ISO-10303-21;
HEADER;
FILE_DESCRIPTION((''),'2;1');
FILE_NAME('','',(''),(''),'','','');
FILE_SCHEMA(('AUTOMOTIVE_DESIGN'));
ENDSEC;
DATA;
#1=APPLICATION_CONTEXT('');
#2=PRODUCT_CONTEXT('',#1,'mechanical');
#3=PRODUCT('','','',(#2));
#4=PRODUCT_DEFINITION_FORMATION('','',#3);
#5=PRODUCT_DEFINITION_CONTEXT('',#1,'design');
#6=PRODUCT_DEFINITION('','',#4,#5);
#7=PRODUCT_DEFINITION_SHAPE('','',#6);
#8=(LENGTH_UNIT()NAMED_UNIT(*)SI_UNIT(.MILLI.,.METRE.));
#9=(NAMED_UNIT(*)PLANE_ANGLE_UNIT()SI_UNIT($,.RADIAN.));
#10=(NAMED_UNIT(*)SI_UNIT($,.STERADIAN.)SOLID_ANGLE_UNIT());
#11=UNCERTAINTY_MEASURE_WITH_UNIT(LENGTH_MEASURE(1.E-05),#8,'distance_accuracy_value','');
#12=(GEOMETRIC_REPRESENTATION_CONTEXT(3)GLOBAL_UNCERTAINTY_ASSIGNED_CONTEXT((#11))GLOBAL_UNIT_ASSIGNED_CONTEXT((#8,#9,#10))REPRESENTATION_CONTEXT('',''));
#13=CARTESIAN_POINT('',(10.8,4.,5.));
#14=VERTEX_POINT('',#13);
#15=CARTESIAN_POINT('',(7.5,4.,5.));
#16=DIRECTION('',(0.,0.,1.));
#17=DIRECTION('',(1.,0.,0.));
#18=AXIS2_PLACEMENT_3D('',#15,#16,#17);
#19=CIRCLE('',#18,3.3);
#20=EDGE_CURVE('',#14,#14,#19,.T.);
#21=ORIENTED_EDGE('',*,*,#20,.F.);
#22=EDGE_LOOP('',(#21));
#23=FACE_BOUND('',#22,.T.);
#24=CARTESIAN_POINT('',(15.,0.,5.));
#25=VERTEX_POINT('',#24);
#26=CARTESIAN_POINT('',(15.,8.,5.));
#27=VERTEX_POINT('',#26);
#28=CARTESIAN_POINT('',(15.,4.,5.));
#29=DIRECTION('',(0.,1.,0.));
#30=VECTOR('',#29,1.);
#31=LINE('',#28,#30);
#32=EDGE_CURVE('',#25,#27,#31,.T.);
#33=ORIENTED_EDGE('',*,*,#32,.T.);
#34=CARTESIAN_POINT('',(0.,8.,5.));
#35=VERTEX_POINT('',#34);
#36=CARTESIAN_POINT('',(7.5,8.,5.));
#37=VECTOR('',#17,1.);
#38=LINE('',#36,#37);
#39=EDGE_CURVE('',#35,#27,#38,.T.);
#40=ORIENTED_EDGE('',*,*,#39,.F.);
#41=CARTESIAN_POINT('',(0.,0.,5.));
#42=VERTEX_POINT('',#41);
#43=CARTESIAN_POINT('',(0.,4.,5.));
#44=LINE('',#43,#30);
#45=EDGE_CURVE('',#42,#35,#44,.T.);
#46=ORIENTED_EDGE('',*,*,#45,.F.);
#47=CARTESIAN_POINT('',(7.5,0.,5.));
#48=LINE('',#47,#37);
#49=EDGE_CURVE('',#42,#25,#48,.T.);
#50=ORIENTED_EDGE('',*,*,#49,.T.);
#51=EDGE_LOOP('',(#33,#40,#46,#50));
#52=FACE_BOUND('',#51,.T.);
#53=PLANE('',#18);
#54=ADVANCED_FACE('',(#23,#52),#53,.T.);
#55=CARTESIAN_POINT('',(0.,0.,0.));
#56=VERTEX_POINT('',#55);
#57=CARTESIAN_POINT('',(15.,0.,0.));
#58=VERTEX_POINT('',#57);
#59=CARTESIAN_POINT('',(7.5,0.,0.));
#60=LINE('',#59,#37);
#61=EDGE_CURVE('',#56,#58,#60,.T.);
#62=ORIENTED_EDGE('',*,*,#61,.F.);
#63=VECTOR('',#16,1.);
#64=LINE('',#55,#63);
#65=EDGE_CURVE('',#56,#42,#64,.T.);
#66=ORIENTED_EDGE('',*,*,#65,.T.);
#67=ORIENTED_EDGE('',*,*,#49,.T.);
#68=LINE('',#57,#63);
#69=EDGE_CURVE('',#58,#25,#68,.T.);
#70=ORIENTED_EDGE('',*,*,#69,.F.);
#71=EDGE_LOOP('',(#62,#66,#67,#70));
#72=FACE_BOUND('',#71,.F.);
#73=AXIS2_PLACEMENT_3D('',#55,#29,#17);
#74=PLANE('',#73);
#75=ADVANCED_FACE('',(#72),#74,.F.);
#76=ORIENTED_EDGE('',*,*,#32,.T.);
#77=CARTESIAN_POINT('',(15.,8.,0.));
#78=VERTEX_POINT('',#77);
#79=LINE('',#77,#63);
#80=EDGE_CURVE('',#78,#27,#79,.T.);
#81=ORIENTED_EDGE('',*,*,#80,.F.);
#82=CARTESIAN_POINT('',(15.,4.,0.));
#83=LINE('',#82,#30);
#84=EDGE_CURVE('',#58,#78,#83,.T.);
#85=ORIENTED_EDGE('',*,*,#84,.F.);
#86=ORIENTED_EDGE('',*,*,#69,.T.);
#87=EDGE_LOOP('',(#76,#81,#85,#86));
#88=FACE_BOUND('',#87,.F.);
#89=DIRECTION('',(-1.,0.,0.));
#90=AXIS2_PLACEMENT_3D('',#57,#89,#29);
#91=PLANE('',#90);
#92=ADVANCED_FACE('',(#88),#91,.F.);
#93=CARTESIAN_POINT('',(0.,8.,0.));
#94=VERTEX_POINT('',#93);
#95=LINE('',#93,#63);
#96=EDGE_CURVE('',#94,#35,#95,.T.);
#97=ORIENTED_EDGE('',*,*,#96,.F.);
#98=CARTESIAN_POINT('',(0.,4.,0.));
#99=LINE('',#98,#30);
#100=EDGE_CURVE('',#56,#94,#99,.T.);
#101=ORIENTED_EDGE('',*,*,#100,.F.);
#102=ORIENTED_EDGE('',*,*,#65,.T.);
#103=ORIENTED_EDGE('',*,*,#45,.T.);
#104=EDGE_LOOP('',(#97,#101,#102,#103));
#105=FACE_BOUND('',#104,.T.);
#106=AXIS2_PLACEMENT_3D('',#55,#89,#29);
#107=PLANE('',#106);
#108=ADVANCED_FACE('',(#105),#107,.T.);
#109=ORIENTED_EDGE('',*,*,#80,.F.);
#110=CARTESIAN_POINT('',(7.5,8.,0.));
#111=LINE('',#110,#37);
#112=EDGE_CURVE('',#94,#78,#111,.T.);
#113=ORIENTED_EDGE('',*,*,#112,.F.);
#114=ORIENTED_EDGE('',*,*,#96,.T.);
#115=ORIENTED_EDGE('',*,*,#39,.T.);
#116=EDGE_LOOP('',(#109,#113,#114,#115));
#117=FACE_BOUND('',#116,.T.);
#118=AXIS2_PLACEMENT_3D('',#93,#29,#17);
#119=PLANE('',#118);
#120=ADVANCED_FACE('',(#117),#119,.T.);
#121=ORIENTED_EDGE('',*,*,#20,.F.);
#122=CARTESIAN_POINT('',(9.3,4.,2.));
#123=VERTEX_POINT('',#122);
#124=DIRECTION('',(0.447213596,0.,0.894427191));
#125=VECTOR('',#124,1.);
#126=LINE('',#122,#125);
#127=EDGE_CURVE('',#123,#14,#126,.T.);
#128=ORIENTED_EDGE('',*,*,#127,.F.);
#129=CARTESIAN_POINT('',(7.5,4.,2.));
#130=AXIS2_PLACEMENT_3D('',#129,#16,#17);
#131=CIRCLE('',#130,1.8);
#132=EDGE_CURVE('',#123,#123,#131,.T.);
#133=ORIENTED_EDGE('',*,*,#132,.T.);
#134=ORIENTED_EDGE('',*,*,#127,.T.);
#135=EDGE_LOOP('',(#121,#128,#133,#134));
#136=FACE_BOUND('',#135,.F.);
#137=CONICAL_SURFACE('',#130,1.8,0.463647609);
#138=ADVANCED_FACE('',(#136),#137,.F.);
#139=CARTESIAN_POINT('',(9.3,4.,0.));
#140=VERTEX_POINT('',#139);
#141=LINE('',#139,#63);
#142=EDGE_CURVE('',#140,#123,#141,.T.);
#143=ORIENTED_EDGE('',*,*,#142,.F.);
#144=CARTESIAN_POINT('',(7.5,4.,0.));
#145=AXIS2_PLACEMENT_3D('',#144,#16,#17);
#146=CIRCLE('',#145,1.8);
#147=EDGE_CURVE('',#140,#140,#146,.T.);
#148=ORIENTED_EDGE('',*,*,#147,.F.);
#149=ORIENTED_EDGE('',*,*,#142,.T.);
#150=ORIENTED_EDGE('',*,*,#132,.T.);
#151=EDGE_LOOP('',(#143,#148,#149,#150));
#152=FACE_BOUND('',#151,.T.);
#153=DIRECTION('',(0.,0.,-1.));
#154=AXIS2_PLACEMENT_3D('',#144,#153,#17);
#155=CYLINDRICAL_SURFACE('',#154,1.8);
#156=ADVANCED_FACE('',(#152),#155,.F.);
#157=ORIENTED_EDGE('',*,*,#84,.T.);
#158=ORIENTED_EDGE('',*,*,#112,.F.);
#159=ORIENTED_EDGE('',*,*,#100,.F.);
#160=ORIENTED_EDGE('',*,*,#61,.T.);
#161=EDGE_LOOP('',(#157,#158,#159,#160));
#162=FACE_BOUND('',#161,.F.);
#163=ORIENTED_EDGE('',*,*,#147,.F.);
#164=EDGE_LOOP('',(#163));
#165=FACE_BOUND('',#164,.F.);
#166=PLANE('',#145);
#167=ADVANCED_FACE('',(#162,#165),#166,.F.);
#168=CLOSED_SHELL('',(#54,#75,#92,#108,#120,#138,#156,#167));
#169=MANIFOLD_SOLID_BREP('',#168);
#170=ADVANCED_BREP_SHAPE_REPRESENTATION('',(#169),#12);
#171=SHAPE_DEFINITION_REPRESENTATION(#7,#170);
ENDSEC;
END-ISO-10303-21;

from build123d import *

# Parameters (mm, degrees)
CYLINDER042_R     = 1.8
CYLINDER042_DEPTH = 10
BOX021_W          = 15
BOX021_H          = 8
BOX021_DEPTH      = 5


with BuildPart() as cylinder007:
    # Cylinder042 → Cylinder042 (new body)
    with BuildSketch(Plane(origin=(7.5, 4, 0), x_dir=(1, 0, 0), z_dir=(0, 0, 1))):
        Circle(CYLINDER042_R)
    extrude(amount=CYLINDER042_DEPTH)


with BuildPart() as fusion015:
    # Cone → Cone (revolve)
    with BuildSketch(Plane(origin=(7.5, 4, 2), x_dir=(1, 0, 0), z_dir=(0, -1, 0))):
        Polygon((0, 0), (1.8, 0), (3.3, 3), (0, 3), align=None)
    revolve(axis=Axis((7.5, 4, 2), (0, 0, 1)))

    # Fusion015: union Cylinder007
    add(cylinder007.part)


with BuildPart() as bottom_stop_trigger_cut:
    # Box021 → Box021 (new body)
    with BuildSketch(Plane.XY):
        with Locations((7.5, 4)):
            Rectangle(BOX021_W, BOX021_H)
    extrude(amount=BOX021_DEPTH)

    # Cut015: cut Fusion015
    add(fusion015.part, mode=Mode.SUBTRACT)


solid = bottom_stop_trigger_cut.part
